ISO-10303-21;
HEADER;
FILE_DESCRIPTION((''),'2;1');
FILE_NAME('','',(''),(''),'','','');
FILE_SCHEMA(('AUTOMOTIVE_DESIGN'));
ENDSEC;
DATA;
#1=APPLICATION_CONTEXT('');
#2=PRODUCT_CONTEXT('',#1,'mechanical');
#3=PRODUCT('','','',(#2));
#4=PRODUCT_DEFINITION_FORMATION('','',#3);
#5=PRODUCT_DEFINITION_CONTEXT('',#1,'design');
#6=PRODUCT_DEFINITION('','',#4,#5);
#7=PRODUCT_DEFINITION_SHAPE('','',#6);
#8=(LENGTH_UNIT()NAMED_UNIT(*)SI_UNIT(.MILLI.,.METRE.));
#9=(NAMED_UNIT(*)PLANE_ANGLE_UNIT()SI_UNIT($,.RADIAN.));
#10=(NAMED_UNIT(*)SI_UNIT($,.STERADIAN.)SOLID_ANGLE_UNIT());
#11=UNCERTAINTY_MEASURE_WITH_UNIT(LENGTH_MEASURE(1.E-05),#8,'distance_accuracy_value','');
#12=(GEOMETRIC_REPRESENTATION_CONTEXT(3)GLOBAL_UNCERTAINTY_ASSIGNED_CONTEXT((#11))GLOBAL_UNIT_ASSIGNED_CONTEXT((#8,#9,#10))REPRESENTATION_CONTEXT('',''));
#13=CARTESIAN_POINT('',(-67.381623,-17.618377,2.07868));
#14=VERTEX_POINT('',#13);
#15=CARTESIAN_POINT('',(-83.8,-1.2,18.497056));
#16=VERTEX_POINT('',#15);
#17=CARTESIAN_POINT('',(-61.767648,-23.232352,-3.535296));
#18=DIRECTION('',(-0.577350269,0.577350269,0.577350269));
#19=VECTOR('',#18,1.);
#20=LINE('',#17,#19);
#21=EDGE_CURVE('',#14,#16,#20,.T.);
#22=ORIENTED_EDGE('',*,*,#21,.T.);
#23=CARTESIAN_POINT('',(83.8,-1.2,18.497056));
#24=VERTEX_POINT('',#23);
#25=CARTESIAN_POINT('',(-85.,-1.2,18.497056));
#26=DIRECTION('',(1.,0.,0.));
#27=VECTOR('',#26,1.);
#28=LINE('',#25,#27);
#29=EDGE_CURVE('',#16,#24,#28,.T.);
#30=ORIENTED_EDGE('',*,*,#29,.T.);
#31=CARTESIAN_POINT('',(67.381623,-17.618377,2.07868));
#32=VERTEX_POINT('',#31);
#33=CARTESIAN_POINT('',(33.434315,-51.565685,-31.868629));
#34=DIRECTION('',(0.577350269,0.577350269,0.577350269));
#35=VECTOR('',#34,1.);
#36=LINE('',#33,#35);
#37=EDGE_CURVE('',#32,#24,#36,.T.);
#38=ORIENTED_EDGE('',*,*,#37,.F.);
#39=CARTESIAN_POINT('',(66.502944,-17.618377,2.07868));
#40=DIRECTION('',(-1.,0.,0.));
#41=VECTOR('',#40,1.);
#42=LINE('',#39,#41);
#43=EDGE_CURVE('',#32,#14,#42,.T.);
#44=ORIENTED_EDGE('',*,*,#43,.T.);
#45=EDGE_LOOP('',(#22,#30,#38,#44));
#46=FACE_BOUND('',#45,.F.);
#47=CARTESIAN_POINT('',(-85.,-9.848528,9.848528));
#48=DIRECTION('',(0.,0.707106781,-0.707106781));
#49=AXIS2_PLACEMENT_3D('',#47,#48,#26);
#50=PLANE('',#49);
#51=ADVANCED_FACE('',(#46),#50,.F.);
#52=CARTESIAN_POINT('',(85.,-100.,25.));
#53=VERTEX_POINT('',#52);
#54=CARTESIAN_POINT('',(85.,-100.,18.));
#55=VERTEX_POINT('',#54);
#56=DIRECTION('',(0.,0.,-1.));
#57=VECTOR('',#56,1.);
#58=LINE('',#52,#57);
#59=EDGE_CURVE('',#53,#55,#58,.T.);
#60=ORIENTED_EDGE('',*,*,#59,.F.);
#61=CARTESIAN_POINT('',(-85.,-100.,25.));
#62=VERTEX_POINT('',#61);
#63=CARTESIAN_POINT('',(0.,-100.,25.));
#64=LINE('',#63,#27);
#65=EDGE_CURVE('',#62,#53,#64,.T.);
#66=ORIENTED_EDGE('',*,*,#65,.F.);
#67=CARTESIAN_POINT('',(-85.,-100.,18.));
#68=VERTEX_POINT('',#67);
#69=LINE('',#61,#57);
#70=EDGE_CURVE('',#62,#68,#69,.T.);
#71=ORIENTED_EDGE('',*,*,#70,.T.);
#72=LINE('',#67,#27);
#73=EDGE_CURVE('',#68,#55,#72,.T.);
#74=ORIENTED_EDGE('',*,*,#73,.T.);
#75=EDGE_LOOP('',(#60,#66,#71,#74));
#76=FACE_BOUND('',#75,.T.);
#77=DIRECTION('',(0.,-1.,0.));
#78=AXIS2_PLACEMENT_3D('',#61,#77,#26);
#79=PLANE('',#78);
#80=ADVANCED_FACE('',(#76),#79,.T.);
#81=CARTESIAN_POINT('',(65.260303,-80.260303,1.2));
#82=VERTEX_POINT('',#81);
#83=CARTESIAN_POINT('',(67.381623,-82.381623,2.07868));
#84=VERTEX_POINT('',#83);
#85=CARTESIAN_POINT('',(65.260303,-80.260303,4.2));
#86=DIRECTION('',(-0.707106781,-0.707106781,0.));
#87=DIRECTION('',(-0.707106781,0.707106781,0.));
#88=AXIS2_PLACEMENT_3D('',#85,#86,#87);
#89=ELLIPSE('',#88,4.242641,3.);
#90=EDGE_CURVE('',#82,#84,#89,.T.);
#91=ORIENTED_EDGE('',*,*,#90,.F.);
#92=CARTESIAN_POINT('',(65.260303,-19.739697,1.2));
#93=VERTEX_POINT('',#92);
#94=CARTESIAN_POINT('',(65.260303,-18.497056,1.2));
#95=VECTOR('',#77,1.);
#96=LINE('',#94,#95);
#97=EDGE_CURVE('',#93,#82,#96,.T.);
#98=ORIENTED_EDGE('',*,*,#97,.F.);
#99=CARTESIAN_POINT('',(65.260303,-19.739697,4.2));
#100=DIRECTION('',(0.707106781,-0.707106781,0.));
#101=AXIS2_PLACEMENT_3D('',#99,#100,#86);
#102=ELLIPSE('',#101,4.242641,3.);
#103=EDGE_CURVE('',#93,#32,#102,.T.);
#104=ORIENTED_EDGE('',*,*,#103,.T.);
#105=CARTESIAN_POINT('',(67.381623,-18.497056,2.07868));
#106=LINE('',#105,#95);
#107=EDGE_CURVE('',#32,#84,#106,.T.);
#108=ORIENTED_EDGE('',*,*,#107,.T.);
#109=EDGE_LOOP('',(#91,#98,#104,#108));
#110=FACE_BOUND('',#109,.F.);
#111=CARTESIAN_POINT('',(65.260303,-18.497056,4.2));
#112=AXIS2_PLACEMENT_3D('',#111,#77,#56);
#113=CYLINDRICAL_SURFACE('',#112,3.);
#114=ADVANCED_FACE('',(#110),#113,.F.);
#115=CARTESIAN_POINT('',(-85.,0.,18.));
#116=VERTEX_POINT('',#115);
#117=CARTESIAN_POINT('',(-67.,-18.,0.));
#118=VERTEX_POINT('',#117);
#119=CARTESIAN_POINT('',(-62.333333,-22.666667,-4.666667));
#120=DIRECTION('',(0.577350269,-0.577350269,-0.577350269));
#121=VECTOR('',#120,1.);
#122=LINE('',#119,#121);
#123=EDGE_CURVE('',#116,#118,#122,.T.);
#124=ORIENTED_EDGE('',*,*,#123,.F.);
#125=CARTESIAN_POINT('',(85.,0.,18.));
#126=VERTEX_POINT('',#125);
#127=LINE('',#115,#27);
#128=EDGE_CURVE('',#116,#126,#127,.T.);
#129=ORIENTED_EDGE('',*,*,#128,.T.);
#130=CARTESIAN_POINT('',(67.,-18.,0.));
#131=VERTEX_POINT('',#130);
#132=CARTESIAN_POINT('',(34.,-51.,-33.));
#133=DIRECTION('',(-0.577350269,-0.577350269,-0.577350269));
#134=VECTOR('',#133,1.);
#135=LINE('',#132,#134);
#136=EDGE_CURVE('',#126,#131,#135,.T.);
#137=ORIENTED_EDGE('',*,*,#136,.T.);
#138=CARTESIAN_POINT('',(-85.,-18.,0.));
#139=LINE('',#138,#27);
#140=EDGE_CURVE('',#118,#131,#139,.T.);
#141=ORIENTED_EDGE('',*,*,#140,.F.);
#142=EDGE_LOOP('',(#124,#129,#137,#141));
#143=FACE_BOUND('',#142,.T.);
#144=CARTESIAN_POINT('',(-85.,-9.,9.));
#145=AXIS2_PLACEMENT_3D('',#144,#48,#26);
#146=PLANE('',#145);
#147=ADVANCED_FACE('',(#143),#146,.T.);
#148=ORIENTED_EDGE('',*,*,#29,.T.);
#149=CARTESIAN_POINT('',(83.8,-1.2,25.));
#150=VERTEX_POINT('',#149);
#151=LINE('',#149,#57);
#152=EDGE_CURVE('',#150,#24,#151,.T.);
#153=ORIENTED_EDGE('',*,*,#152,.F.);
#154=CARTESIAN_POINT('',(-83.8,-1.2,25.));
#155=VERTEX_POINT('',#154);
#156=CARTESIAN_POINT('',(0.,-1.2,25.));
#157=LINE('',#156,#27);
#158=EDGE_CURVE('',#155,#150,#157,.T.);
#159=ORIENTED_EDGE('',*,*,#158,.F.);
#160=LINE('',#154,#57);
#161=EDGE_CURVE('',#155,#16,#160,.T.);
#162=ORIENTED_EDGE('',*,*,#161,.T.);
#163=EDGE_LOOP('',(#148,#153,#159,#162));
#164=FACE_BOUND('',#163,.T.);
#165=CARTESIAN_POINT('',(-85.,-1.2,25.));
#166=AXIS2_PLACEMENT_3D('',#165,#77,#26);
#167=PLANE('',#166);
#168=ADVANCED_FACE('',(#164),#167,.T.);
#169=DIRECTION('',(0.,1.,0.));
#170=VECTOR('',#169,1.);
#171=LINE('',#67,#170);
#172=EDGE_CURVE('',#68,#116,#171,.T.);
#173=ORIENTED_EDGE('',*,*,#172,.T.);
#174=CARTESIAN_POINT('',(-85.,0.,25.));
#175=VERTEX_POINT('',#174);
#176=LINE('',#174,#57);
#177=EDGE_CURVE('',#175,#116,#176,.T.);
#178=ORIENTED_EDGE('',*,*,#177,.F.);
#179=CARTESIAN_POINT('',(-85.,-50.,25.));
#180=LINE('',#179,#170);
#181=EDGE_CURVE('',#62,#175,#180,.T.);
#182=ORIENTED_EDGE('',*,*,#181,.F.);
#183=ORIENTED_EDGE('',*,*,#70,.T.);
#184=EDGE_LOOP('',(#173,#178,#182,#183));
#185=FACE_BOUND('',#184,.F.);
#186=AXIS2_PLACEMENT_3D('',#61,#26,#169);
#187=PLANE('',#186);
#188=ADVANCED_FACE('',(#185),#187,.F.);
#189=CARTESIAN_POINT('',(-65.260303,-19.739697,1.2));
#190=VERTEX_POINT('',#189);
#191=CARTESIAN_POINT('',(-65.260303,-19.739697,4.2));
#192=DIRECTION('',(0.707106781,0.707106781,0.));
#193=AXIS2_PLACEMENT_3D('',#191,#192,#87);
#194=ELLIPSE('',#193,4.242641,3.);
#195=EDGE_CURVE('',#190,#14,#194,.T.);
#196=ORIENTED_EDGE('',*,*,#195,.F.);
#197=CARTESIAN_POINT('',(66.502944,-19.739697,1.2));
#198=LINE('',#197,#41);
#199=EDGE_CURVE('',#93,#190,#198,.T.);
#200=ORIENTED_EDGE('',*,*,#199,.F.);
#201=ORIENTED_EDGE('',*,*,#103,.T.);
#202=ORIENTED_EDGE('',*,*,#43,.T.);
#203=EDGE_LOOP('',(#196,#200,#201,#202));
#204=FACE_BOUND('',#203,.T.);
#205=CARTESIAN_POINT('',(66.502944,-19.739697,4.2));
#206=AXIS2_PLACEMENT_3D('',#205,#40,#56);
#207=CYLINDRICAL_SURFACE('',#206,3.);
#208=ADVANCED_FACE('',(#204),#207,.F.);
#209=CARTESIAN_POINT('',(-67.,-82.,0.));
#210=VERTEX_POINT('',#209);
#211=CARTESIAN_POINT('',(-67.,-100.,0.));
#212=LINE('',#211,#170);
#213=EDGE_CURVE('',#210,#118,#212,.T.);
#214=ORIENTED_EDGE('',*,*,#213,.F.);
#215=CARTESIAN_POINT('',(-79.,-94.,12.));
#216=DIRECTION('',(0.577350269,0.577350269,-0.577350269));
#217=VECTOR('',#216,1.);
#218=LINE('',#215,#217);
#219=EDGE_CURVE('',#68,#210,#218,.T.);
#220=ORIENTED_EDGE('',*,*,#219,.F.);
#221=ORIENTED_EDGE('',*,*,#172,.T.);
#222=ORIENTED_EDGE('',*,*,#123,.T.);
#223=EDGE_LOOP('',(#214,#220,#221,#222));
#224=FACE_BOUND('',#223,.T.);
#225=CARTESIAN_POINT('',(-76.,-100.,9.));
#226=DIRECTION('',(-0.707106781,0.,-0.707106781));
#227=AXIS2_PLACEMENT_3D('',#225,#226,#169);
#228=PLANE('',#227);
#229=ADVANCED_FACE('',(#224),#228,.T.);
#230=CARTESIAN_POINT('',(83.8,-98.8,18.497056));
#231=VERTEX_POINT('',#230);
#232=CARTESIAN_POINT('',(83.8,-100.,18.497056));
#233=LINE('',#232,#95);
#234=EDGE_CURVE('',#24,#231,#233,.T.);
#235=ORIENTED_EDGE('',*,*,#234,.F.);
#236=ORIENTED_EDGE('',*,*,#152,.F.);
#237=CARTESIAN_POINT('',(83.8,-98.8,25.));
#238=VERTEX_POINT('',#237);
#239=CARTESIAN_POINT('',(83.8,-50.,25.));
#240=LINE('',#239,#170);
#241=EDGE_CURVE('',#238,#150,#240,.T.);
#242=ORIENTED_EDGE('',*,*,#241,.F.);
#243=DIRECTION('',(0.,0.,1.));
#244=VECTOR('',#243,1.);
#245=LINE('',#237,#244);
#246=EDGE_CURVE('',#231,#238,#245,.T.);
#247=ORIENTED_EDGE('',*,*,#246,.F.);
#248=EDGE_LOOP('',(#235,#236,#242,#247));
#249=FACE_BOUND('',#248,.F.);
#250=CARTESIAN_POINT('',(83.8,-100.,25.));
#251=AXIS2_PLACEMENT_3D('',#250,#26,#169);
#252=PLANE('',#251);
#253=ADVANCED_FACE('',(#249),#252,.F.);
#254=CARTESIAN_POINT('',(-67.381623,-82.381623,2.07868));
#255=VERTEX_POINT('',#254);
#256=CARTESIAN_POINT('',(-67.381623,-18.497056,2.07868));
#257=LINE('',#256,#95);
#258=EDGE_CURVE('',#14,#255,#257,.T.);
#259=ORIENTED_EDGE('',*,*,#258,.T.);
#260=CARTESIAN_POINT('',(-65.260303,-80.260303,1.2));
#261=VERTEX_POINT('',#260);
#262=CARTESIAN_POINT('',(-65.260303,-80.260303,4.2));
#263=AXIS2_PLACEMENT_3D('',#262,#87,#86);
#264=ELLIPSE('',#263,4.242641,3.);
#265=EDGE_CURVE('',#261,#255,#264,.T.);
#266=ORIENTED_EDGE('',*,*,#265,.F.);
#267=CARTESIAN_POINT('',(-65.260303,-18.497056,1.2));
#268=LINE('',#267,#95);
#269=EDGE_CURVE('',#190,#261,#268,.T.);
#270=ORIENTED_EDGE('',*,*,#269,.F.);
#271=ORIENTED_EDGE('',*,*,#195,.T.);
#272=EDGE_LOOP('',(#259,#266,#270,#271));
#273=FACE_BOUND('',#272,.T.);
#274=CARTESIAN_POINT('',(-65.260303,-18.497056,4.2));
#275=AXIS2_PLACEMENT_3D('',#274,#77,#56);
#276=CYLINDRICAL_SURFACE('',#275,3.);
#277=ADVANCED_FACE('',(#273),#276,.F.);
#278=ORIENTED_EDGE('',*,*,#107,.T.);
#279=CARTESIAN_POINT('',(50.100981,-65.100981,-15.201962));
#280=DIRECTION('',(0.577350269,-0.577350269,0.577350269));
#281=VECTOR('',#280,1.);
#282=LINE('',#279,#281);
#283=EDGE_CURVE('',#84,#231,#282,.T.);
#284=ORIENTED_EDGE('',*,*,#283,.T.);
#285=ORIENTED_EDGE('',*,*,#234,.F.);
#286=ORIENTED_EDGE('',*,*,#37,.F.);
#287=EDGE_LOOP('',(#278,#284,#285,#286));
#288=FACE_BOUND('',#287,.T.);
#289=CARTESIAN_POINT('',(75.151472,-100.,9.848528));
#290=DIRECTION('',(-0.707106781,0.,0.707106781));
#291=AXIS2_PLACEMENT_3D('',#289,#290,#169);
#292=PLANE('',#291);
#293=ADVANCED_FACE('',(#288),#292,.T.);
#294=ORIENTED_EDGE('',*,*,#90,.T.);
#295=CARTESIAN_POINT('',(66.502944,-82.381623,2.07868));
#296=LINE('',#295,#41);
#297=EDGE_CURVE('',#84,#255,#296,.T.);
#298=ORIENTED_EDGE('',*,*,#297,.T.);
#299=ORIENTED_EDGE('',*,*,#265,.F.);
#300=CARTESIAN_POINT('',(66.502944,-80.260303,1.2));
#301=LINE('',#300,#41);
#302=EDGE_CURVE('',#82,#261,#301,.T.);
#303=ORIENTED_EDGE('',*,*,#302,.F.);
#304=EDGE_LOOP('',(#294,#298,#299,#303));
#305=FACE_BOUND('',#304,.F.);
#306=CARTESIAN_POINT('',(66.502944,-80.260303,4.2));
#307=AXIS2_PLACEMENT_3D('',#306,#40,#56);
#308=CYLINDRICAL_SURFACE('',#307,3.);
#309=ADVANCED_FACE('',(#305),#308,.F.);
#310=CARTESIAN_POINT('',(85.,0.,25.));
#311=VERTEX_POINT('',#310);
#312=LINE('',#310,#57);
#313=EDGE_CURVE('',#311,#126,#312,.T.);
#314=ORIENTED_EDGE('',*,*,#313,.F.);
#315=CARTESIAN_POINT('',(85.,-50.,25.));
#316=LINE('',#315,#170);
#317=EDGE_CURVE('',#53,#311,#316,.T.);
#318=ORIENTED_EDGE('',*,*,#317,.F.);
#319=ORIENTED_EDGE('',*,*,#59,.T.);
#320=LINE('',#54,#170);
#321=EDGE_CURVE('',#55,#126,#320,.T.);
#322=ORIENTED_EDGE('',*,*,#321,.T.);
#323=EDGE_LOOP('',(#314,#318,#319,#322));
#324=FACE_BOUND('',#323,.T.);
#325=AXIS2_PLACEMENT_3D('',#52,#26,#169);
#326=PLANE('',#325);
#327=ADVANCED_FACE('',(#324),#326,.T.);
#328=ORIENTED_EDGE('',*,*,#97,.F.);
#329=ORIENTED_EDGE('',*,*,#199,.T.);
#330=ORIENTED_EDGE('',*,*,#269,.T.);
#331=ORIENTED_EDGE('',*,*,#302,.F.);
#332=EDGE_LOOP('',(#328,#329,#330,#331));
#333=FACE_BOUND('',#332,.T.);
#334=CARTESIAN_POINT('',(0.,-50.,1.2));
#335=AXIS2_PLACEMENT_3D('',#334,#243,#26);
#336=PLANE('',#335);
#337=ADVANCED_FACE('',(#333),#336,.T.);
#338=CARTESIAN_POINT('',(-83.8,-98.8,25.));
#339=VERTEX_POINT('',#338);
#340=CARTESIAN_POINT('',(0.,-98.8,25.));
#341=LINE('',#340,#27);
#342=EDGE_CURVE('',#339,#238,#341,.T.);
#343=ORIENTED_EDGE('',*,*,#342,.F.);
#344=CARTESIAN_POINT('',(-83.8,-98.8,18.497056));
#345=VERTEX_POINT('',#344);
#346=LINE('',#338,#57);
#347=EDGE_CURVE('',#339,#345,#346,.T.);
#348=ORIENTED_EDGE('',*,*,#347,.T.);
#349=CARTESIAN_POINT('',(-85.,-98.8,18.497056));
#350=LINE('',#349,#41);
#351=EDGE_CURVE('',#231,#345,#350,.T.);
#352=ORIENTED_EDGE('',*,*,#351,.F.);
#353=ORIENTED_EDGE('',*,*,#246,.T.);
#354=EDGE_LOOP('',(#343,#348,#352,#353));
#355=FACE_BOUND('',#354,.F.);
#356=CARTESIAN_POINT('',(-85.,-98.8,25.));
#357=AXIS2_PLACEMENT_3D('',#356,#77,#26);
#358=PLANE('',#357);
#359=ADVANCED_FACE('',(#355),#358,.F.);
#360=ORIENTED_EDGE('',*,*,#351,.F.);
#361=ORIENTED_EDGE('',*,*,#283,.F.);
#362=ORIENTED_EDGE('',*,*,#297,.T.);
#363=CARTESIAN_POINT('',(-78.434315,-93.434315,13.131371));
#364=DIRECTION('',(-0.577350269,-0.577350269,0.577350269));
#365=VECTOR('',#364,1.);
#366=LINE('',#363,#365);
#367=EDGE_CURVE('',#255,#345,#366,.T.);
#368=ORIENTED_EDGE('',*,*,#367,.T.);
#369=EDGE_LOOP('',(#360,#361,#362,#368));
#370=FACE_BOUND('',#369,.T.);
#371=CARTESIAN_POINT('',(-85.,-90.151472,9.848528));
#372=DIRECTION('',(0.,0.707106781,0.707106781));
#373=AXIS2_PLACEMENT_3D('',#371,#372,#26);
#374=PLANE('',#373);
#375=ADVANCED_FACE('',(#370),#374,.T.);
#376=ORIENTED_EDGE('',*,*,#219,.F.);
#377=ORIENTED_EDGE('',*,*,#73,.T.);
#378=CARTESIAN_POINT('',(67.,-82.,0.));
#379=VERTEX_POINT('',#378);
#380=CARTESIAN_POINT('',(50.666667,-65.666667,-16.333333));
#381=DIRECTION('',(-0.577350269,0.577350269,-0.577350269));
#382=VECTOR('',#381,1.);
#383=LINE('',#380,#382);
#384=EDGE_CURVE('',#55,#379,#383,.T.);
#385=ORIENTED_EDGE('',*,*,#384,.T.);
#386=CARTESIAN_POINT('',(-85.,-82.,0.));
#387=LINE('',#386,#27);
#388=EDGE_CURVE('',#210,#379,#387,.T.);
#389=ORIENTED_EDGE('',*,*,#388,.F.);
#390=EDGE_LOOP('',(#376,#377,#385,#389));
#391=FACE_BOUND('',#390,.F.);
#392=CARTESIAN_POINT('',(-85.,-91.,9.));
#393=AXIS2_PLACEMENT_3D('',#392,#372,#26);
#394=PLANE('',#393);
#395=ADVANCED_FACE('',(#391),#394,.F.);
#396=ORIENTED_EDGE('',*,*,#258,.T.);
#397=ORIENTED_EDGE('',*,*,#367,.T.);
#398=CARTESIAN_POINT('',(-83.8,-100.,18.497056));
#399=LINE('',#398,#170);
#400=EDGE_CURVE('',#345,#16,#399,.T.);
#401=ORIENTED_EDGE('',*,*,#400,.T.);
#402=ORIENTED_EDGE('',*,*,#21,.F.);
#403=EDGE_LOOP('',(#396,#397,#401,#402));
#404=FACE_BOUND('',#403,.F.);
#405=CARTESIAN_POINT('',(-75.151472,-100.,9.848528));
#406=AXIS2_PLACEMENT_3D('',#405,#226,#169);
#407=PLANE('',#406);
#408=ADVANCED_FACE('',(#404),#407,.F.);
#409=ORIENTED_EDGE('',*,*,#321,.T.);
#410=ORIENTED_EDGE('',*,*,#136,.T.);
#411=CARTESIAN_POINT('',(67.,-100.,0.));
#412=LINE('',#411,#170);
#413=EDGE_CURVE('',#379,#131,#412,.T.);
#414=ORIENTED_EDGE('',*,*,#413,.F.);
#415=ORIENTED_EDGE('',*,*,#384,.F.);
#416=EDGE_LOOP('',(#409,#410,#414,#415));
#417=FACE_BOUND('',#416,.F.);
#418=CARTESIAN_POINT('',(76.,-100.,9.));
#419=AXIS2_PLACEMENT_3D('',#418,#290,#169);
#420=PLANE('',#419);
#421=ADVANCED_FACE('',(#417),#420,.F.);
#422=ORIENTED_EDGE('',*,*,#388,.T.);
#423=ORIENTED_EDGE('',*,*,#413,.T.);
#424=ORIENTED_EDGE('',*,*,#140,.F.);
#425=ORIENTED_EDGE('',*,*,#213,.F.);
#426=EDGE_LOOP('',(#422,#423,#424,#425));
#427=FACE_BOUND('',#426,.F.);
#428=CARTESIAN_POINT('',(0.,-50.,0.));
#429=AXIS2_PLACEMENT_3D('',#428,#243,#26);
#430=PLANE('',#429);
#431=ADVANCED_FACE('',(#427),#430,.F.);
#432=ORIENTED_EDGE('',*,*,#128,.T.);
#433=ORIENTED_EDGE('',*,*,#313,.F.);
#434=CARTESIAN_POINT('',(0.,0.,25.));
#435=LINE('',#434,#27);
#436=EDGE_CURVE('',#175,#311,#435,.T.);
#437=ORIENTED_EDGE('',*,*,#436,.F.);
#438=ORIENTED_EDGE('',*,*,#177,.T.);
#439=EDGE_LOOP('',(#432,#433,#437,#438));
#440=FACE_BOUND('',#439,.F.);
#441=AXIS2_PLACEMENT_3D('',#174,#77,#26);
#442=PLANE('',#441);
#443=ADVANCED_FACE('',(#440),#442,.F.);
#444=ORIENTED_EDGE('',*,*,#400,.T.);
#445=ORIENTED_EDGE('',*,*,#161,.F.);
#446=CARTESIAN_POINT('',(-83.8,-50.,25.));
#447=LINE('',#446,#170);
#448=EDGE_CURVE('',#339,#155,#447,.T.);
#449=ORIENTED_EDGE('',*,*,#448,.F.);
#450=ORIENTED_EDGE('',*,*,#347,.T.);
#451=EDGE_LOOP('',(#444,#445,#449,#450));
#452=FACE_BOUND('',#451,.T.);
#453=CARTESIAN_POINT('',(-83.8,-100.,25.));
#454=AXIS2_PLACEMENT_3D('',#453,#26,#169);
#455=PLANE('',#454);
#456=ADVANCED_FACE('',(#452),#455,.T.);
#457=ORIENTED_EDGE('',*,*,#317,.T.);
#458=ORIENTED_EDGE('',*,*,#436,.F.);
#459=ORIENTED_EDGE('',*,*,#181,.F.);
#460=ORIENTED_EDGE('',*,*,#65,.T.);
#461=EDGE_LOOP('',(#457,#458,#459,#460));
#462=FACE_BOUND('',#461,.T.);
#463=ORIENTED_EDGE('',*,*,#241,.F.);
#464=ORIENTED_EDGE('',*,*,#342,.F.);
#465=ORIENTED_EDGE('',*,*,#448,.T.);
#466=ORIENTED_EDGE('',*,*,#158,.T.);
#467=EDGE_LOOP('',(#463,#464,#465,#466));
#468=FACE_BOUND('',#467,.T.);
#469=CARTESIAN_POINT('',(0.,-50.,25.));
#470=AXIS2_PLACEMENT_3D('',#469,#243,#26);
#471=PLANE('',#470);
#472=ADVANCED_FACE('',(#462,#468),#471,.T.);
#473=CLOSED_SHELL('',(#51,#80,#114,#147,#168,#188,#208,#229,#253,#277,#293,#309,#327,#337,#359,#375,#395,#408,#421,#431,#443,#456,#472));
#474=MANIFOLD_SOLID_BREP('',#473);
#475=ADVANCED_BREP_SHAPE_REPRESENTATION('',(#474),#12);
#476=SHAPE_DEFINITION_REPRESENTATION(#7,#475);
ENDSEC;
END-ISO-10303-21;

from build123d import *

# Parameters (mm, degrees)
F1_W     = 170
F1_H     = 100
F2_DEPTH = 25
F3_SIZE  = 18
F4_T     = -1.2
F5_R     = 3


with BuildPart() as f2:
    # F1 (on offset) → F2 (new body)
    with BuildSketch(Plane.XY.offset(25)):
        with Locations((0, -50)):
            Rectangle(F1_W, F1_H)
    extrude(amount=-F2_DEPTH)

    # F3
    f3_edges = [f2.edges().sort_by_distance(p)[0] for p in [
        (0, -100, 0),
        (85, -50, 0),
        (0, 0, 0),
        (-85, -50, 0),
    ]]
    chamfer(f3_edges, length=F3_SIZE)

    # F4
    f4_openings = [f2.faces().sort_by_distance(p)[0] for p in [
        (0, -50, 25),
    ]]
    offset(amount=F4_T, openings=f4_openings)

    # F5
    f5_edges = [f2.edges().sort_by_distance(p)[0] for p in [
        (0, -81.502944, 1.2),
        (66.502944, -50, 1.2),
        (0, -18.497056, 1.2),
        (-66.502944, -50, 1.2),
    ]]
    fillet(f5_edges, radius=F5_R)


solid = f2.part
